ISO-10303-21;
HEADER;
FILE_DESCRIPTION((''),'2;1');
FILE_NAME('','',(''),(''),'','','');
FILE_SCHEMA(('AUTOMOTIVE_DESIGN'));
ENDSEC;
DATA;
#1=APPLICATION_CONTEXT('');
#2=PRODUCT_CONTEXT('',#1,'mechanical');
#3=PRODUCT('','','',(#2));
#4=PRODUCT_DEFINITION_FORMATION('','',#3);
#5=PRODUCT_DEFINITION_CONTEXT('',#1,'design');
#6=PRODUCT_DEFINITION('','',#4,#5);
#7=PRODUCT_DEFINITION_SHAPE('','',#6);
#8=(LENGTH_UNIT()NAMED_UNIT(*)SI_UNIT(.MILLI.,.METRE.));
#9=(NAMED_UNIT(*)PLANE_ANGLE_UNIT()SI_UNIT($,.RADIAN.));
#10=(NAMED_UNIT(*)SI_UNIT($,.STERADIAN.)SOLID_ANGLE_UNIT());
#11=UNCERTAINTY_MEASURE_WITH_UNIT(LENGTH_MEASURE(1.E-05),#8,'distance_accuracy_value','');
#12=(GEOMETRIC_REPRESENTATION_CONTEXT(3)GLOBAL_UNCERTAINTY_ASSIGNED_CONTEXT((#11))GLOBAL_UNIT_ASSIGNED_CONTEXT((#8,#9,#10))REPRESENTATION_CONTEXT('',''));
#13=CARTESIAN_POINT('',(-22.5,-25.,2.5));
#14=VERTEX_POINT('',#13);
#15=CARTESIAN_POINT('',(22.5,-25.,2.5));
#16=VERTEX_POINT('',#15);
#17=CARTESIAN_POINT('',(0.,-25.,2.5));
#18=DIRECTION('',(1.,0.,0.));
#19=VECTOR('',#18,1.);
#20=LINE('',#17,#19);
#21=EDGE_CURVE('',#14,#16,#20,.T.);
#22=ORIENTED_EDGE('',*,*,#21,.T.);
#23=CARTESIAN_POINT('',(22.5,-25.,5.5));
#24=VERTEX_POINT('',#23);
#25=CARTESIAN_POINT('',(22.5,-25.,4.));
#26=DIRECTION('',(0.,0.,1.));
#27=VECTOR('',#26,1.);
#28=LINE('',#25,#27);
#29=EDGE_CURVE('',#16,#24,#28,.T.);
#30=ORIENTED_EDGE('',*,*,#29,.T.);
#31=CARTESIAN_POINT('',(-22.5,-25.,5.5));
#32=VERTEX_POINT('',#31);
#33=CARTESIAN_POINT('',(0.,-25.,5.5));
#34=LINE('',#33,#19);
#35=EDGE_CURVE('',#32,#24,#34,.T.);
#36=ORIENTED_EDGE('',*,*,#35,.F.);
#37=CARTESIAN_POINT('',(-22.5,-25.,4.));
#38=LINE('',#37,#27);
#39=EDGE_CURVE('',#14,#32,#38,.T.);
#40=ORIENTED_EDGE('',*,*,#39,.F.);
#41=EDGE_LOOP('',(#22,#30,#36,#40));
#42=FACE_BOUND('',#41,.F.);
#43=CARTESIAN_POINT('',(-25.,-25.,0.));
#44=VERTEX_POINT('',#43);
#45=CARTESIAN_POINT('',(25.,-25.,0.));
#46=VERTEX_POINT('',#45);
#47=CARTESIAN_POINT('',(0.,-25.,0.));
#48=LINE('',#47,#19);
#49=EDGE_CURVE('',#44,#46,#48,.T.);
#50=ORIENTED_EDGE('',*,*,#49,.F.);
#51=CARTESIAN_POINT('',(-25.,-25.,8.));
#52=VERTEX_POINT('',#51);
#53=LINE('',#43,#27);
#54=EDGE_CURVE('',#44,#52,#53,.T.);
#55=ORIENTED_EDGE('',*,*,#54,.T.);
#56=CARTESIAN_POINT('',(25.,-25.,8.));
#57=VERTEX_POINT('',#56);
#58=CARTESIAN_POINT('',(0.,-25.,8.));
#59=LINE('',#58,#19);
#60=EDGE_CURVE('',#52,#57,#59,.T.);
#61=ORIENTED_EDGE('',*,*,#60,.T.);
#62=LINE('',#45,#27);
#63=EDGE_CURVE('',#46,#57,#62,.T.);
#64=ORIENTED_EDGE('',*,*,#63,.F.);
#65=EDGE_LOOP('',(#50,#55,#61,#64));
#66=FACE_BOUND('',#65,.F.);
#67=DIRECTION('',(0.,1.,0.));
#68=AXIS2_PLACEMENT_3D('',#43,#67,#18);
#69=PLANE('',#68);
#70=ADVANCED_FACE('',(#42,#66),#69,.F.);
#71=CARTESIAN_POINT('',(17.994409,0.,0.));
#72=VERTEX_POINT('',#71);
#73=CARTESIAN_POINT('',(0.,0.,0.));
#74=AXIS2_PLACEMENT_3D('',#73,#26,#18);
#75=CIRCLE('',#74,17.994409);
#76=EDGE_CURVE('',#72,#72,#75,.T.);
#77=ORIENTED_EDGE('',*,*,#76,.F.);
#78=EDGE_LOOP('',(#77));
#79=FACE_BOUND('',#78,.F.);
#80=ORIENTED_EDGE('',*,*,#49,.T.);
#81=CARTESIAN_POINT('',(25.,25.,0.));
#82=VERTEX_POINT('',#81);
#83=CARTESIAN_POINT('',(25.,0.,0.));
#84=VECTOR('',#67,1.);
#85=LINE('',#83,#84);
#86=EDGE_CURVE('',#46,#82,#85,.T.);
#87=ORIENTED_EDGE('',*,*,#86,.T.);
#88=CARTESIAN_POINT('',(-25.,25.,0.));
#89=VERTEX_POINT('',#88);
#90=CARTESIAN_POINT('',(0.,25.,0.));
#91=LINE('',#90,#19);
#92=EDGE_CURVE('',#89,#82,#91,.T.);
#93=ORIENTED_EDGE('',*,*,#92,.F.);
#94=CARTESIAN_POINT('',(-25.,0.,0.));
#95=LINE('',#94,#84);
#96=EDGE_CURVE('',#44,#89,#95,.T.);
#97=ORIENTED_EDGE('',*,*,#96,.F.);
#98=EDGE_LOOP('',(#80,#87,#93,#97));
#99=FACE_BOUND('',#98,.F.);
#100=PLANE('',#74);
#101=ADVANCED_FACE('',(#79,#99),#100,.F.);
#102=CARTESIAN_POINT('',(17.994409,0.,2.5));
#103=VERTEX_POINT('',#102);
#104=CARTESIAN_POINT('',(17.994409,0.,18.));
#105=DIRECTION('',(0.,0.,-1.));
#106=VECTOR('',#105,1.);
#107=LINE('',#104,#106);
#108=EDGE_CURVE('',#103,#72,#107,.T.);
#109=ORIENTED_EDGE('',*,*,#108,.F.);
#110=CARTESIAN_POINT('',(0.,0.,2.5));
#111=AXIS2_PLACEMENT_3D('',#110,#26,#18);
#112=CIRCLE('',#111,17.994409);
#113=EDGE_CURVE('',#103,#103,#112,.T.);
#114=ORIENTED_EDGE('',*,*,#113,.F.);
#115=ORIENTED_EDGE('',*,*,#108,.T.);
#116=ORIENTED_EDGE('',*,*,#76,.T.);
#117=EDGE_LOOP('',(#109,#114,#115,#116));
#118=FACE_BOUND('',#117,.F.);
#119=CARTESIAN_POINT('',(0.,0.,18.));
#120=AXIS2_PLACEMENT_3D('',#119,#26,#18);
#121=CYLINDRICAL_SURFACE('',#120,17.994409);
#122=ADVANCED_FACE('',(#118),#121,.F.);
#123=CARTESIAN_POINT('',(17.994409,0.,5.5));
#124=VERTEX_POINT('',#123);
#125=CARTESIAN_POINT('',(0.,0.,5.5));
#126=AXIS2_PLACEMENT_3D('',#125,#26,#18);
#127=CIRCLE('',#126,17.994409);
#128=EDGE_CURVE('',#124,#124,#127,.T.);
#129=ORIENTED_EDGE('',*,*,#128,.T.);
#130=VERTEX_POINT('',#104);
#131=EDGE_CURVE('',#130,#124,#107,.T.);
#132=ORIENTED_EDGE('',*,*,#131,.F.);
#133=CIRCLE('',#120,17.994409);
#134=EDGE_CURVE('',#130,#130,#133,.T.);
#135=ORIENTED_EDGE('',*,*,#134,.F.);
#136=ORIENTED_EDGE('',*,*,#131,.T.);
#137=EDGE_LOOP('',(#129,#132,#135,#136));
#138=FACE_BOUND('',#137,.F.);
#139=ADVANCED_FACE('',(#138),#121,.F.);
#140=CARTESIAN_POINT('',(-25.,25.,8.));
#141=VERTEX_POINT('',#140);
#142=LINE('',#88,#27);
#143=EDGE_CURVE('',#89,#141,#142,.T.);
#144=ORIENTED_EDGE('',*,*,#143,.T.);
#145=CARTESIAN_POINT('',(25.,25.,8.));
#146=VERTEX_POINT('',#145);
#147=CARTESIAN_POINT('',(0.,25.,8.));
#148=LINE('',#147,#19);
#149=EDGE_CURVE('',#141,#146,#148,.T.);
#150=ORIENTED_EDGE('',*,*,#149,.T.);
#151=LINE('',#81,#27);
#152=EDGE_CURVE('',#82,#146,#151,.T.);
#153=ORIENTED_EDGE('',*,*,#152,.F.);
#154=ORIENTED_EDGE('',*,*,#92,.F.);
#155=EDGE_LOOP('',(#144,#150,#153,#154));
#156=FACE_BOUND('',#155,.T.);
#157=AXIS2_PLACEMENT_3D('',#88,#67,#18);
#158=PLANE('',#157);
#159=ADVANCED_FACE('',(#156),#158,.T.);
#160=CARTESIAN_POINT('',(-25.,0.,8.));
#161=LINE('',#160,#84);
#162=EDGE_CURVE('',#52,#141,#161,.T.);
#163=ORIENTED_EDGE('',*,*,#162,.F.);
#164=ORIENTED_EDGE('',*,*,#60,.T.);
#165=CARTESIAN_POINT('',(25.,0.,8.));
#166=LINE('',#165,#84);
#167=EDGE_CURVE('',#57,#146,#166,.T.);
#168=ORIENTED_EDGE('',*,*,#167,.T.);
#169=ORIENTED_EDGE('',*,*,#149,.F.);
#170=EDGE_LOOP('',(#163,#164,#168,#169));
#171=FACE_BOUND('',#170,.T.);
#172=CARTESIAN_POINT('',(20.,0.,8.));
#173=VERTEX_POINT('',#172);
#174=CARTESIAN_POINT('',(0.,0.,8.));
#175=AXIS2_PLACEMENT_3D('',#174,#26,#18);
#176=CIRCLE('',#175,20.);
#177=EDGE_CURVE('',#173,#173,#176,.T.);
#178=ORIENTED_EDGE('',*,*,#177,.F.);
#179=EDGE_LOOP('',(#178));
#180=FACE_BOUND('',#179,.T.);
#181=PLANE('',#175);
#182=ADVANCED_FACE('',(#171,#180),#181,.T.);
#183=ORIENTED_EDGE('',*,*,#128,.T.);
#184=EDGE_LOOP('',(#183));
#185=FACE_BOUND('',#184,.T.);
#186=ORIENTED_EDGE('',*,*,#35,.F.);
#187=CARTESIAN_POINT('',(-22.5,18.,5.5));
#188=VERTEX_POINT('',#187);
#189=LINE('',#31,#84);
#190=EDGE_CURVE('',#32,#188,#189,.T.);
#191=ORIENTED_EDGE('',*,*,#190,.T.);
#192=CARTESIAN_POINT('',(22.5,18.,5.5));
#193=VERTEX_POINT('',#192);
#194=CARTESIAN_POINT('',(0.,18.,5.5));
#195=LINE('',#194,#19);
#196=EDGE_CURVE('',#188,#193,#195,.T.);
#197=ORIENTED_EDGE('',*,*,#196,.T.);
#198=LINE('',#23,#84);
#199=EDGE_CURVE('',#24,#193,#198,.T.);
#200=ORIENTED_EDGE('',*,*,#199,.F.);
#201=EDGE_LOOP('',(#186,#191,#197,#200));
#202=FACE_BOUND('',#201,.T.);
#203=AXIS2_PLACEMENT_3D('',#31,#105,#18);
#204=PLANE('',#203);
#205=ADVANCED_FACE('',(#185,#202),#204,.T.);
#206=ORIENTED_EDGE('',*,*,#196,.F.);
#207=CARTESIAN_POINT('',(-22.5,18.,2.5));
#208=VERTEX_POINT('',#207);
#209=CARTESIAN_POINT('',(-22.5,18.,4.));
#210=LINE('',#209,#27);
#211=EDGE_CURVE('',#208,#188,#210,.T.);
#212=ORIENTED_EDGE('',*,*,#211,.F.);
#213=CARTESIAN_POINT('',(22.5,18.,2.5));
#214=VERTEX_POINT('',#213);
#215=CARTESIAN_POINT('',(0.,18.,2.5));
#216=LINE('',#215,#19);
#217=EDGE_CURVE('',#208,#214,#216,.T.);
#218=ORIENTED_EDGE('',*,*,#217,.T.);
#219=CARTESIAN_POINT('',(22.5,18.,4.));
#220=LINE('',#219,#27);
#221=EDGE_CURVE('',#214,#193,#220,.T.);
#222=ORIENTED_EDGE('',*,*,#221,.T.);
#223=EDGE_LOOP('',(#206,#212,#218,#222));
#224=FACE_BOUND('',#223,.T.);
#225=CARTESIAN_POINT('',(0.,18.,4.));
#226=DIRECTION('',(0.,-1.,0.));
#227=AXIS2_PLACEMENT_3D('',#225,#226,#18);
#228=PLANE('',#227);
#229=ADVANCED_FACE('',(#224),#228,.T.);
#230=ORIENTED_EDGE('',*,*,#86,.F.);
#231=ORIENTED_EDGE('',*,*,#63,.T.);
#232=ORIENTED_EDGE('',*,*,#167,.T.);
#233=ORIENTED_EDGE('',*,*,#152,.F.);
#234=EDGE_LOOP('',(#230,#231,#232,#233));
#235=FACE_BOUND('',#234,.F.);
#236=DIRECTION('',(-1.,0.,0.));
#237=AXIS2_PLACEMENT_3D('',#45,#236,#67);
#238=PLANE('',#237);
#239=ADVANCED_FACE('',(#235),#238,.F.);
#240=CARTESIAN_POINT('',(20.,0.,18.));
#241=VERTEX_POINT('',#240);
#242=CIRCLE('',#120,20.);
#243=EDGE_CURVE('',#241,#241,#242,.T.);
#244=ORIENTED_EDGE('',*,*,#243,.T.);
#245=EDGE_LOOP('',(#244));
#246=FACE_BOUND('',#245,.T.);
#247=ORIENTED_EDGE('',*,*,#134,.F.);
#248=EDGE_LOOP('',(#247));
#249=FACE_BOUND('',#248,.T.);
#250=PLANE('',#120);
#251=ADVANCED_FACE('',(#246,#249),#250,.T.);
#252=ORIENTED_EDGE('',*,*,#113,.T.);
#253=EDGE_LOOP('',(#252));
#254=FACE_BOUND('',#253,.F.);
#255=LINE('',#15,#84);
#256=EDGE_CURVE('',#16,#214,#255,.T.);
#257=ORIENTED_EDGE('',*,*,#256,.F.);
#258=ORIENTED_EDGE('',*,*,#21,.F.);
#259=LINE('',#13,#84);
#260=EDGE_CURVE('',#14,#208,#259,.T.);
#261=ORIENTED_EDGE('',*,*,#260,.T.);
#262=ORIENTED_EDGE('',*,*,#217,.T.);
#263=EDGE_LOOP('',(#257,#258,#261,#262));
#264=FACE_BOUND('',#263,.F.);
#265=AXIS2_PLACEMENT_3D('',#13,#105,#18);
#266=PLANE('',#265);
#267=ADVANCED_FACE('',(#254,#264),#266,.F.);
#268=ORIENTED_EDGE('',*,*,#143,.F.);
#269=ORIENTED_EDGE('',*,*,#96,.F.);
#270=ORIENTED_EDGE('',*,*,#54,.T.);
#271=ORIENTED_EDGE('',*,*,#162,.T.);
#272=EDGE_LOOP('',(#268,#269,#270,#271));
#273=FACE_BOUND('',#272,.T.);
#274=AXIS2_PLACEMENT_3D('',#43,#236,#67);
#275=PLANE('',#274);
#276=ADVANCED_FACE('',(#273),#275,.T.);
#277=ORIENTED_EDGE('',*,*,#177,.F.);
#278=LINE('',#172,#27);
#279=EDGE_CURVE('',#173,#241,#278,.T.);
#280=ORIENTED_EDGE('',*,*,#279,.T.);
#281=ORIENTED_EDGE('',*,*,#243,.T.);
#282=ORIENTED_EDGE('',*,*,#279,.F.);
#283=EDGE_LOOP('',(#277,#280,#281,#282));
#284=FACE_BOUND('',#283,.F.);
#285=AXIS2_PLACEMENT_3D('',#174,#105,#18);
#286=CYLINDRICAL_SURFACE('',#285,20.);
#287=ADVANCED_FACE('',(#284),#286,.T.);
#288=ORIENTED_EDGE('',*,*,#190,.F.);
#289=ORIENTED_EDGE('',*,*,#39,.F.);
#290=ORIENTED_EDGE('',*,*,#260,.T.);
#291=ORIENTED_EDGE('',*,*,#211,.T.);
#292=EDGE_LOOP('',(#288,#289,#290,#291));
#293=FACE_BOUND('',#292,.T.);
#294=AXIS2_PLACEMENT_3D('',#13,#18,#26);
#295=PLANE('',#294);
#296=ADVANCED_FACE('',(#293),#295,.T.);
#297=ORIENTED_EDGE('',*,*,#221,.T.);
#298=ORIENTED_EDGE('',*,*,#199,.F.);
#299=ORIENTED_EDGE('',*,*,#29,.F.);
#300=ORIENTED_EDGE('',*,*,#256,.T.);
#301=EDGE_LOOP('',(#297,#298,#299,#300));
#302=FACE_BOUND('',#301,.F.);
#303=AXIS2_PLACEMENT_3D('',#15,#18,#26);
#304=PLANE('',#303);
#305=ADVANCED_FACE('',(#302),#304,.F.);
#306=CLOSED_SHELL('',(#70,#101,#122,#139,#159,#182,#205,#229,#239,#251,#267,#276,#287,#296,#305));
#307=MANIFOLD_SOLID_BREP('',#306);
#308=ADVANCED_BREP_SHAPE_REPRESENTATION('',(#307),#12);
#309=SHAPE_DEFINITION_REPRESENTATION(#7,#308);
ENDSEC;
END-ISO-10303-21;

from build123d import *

# Parameters (mm, degrees)
SKETCH_W        = 50
SKETCH_H        = 50
PAD_DEPTH       = 8
SKETCH001_R     = 20
PAD001_DEPTH    = 10
SKETCH002_R     = 17.994409
POCKET_DEPTH    = 18.001
SKETCH003_W     = 45
SKETCH003_H     = 3
POCKET001_DEPTH = 43


with BuildPart() as part:
    # Sketch → Pad (new body)
    with BuildSketch(Plane.XY):
        Rectangle(SKETCH_W, SKETCH_H)
    extrude(amount=PAD_DEPTH)

    # Sketch001 → Pad001 (new body)
    with BuildSketch(Plane.XY.offset(8)):
        Circle(SKETCH001_R)
    extrude(amount=PAD001_DEPTH)

    # Sketch002 → Pocket (cut, through all)
    with BuildSketch(Plane.XY.offset(18)):
        Circle(SKETCH002_R)
    extrude(amount=-POCKET_DEPTH, mode=Mode.SUBTRACT)

    # Sketch003 → Pocket001 (cut)
    with BuildSketch(Plane.XZ.offset(25)):
        with Locations((0, 4)):
            Rectangle(SKETCH003_W, SKETCH003_H)
    extrude(amount=-POCKET001_DEPTH, mode=Mode.SUBTRACT)


solid = part.part
